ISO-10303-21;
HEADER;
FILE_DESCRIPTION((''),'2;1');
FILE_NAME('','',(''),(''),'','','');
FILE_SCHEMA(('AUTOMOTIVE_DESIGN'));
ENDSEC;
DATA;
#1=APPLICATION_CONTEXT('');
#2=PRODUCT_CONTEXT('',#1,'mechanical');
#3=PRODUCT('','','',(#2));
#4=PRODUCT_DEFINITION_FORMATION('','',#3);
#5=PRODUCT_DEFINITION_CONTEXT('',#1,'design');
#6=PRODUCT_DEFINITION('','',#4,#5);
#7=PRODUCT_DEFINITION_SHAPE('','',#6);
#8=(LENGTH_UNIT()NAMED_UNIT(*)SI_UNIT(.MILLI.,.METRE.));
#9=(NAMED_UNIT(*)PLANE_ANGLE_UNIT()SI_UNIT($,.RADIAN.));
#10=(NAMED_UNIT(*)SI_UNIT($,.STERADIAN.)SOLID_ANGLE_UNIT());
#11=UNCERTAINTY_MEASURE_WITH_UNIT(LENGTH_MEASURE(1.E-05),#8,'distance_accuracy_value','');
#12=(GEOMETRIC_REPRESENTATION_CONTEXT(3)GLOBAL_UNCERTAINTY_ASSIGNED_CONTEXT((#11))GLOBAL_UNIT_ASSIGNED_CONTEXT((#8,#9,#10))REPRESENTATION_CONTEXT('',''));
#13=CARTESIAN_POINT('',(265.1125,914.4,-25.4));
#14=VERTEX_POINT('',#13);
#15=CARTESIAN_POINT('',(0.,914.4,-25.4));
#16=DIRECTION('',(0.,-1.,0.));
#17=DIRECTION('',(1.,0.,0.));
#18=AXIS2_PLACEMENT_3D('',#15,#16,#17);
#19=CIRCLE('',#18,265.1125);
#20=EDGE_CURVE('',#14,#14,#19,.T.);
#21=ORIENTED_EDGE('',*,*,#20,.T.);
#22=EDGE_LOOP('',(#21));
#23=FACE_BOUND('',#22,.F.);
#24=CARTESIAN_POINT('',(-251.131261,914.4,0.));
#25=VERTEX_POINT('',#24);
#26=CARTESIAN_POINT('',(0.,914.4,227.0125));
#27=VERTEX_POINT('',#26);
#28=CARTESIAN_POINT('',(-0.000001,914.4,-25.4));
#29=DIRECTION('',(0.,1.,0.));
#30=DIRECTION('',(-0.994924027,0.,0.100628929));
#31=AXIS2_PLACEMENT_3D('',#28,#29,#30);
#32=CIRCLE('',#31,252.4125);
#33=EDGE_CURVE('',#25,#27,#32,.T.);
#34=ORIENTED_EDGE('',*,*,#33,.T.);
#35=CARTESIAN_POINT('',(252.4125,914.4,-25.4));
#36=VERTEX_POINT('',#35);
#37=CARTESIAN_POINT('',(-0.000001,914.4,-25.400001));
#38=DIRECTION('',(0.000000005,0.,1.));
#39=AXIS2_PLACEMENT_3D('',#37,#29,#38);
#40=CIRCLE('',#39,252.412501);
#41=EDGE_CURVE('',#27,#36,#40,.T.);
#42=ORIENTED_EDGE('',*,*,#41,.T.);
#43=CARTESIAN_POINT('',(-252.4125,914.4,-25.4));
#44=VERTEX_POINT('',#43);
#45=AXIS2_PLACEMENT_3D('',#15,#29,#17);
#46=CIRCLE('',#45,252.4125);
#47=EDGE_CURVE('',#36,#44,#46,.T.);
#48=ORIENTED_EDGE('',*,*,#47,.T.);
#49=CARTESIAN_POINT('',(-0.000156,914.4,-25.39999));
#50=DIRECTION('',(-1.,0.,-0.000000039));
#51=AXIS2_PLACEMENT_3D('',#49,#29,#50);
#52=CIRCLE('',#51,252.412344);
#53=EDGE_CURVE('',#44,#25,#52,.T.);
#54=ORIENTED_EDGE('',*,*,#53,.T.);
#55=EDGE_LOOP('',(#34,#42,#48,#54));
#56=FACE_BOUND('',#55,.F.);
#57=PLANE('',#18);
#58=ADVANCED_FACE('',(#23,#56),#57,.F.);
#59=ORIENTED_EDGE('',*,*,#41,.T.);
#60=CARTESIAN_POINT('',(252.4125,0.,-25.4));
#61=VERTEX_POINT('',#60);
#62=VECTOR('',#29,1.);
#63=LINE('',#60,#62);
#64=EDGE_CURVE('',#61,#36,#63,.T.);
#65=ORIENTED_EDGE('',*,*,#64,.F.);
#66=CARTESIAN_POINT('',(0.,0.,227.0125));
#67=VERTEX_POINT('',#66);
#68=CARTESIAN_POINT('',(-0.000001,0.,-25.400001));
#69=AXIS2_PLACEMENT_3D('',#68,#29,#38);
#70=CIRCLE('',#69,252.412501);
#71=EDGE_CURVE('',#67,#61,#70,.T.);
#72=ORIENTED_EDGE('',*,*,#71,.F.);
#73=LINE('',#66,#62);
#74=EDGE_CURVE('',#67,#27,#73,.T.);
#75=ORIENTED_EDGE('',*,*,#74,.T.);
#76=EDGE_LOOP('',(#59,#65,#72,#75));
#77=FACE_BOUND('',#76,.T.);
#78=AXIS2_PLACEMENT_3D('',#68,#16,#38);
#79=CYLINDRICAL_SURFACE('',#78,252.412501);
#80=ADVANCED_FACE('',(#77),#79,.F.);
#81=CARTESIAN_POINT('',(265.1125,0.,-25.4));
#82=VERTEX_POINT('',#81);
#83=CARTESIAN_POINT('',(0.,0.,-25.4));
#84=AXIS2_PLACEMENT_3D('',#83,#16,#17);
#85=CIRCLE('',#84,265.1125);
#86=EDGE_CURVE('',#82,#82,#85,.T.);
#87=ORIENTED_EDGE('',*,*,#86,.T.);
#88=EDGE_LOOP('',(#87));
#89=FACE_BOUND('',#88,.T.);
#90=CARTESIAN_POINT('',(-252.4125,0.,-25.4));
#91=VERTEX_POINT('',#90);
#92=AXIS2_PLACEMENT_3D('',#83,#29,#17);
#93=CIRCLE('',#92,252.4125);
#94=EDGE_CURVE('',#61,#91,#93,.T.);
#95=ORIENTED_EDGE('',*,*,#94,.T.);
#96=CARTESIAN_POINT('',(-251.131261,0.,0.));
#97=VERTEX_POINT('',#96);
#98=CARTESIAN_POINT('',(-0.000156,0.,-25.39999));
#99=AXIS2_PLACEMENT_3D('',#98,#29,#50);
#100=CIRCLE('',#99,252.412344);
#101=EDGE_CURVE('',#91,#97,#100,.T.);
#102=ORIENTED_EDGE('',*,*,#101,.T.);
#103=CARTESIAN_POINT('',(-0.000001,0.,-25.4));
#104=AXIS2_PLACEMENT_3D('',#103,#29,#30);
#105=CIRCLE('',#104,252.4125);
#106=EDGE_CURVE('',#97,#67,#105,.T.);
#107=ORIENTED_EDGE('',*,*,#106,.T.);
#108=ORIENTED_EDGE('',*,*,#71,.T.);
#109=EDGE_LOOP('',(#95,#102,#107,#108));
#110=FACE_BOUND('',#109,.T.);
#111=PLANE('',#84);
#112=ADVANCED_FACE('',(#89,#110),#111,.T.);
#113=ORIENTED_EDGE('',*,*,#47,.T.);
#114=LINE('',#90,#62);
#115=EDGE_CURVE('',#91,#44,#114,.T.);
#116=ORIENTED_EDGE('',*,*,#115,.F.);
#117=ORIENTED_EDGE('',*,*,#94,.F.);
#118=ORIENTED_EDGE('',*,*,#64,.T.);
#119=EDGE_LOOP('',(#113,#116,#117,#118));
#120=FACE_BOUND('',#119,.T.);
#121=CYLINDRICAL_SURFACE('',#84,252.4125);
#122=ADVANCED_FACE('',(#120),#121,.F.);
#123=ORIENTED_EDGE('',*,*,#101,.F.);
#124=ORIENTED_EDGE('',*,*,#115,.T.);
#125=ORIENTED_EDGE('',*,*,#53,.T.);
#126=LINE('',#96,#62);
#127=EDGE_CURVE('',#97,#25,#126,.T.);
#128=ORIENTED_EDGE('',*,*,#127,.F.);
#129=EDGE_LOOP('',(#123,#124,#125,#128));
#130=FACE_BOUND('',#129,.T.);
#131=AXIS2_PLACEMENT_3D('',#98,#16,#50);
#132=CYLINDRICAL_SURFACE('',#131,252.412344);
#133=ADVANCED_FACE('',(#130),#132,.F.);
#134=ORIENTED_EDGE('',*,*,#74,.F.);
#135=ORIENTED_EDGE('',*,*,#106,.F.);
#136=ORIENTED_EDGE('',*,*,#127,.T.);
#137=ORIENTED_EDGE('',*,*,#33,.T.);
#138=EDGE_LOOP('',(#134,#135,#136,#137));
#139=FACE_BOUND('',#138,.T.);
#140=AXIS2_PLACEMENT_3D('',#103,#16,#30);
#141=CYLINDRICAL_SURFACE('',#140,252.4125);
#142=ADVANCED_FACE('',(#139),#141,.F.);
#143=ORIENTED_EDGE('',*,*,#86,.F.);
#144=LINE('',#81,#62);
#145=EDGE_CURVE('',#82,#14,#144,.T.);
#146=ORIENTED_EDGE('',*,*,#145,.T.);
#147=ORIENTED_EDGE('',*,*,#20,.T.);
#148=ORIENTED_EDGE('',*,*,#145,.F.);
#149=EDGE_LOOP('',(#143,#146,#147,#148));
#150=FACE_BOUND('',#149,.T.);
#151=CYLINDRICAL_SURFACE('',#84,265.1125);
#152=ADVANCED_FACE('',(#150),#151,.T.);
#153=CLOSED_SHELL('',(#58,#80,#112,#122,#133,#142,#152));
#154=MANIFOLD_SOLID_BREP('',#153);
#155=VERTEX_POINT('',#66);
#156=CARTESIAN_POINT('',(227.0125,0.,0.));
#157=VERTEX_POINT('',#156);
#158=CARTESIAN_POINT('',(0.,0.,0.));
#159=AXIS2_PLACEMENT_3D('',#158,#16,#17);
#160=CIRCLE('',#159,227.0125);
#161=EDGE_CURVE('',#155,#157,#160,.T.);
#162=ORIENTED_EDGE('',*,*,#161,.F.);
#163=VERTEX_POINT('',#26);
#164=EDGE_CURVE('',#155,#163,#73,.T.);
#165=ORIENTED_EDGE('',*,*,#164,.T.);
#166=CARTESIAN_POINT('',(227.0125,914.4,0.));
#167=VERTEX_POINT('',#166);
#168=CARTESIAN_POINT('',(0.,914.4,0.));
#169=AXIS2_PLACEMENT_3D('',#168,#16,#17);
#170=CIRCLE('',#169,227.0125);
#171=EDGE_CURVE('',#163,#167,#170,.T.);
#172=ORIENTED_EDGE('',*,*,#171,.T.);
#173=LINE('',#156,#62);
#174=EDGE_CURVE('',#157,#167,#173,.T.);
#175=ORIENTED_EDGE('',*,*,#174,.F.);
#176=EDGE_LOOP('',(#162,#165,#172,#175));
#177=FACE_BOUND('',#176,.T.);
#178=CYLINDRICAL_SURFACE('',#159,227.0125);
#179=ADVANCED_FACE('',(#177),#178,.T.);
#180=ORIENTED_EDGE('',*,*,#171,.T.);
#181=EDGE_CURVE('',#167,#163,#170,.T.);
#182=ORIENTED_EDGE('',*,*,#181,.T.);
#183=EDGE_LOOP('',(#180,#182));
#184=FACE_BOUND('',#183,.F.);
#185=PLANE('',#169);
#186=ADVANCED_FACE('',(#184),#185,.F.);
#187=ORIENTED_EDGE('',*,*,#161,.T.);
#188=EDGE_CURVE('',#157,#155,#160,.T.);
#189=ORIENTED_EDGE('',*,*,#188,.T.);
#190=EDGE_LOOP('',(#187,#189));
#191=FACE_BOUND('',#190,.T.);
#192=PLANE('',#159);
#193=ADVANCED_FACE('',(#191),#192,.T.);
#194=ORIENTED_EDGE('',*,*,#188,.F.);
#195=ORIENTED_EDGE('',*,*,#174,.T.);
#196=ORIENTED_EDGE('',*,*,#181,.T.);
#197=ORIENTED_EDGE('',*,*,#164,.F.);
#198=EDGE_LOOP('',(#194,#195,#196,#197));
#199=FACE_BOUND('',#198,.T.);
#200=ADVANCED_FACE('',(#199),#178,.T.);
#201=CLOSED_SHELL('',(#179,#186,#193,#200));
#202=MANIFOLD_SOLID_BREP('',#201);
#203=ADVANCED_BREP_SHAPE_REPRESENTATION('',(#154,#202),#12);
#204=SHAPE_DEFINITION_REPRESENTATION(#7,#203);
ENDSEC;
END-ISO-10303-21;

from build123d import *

# Parameters (mm, degrees)
F0_R     = 227.0125
F1_DEPTH = 914.4
F2_R     = 265.1125
F3_DEPTH = 914.4


with BuildPart() as f1:
    # F0 (on Front) → F1 (new body)
    with BuildSketch(Plane.XZ):
        Circle(F0_R)
    extrude(amount=-F1_DEPTH)

    # F2 (on face) → F3 (join)
    with BuildSketch(Plane.XZ):
        with Locations((0, -25.4)):
            Circle(F2_R)
        with BuildLine():
            ThreePointArc((0, 227.0125), (178.48259, 153.08259), (252.4125, -25.4))
            ThreePointArc((252.4125, -25.4), (0, -277.8125), (-252.4125, -25.4))
            ThreePointArc((-252.4125, -25.4), (-252.091987, -12.683853), (-251.131261, 0))
            ThreePointArc((-251.131261, 0), (-169.26428, 161.847627), (0, 227.0125))
        make_face(mode=Mode.SUBTRACT)
    extrude(amount=-F3_DEPTH)


solid = f1.part
